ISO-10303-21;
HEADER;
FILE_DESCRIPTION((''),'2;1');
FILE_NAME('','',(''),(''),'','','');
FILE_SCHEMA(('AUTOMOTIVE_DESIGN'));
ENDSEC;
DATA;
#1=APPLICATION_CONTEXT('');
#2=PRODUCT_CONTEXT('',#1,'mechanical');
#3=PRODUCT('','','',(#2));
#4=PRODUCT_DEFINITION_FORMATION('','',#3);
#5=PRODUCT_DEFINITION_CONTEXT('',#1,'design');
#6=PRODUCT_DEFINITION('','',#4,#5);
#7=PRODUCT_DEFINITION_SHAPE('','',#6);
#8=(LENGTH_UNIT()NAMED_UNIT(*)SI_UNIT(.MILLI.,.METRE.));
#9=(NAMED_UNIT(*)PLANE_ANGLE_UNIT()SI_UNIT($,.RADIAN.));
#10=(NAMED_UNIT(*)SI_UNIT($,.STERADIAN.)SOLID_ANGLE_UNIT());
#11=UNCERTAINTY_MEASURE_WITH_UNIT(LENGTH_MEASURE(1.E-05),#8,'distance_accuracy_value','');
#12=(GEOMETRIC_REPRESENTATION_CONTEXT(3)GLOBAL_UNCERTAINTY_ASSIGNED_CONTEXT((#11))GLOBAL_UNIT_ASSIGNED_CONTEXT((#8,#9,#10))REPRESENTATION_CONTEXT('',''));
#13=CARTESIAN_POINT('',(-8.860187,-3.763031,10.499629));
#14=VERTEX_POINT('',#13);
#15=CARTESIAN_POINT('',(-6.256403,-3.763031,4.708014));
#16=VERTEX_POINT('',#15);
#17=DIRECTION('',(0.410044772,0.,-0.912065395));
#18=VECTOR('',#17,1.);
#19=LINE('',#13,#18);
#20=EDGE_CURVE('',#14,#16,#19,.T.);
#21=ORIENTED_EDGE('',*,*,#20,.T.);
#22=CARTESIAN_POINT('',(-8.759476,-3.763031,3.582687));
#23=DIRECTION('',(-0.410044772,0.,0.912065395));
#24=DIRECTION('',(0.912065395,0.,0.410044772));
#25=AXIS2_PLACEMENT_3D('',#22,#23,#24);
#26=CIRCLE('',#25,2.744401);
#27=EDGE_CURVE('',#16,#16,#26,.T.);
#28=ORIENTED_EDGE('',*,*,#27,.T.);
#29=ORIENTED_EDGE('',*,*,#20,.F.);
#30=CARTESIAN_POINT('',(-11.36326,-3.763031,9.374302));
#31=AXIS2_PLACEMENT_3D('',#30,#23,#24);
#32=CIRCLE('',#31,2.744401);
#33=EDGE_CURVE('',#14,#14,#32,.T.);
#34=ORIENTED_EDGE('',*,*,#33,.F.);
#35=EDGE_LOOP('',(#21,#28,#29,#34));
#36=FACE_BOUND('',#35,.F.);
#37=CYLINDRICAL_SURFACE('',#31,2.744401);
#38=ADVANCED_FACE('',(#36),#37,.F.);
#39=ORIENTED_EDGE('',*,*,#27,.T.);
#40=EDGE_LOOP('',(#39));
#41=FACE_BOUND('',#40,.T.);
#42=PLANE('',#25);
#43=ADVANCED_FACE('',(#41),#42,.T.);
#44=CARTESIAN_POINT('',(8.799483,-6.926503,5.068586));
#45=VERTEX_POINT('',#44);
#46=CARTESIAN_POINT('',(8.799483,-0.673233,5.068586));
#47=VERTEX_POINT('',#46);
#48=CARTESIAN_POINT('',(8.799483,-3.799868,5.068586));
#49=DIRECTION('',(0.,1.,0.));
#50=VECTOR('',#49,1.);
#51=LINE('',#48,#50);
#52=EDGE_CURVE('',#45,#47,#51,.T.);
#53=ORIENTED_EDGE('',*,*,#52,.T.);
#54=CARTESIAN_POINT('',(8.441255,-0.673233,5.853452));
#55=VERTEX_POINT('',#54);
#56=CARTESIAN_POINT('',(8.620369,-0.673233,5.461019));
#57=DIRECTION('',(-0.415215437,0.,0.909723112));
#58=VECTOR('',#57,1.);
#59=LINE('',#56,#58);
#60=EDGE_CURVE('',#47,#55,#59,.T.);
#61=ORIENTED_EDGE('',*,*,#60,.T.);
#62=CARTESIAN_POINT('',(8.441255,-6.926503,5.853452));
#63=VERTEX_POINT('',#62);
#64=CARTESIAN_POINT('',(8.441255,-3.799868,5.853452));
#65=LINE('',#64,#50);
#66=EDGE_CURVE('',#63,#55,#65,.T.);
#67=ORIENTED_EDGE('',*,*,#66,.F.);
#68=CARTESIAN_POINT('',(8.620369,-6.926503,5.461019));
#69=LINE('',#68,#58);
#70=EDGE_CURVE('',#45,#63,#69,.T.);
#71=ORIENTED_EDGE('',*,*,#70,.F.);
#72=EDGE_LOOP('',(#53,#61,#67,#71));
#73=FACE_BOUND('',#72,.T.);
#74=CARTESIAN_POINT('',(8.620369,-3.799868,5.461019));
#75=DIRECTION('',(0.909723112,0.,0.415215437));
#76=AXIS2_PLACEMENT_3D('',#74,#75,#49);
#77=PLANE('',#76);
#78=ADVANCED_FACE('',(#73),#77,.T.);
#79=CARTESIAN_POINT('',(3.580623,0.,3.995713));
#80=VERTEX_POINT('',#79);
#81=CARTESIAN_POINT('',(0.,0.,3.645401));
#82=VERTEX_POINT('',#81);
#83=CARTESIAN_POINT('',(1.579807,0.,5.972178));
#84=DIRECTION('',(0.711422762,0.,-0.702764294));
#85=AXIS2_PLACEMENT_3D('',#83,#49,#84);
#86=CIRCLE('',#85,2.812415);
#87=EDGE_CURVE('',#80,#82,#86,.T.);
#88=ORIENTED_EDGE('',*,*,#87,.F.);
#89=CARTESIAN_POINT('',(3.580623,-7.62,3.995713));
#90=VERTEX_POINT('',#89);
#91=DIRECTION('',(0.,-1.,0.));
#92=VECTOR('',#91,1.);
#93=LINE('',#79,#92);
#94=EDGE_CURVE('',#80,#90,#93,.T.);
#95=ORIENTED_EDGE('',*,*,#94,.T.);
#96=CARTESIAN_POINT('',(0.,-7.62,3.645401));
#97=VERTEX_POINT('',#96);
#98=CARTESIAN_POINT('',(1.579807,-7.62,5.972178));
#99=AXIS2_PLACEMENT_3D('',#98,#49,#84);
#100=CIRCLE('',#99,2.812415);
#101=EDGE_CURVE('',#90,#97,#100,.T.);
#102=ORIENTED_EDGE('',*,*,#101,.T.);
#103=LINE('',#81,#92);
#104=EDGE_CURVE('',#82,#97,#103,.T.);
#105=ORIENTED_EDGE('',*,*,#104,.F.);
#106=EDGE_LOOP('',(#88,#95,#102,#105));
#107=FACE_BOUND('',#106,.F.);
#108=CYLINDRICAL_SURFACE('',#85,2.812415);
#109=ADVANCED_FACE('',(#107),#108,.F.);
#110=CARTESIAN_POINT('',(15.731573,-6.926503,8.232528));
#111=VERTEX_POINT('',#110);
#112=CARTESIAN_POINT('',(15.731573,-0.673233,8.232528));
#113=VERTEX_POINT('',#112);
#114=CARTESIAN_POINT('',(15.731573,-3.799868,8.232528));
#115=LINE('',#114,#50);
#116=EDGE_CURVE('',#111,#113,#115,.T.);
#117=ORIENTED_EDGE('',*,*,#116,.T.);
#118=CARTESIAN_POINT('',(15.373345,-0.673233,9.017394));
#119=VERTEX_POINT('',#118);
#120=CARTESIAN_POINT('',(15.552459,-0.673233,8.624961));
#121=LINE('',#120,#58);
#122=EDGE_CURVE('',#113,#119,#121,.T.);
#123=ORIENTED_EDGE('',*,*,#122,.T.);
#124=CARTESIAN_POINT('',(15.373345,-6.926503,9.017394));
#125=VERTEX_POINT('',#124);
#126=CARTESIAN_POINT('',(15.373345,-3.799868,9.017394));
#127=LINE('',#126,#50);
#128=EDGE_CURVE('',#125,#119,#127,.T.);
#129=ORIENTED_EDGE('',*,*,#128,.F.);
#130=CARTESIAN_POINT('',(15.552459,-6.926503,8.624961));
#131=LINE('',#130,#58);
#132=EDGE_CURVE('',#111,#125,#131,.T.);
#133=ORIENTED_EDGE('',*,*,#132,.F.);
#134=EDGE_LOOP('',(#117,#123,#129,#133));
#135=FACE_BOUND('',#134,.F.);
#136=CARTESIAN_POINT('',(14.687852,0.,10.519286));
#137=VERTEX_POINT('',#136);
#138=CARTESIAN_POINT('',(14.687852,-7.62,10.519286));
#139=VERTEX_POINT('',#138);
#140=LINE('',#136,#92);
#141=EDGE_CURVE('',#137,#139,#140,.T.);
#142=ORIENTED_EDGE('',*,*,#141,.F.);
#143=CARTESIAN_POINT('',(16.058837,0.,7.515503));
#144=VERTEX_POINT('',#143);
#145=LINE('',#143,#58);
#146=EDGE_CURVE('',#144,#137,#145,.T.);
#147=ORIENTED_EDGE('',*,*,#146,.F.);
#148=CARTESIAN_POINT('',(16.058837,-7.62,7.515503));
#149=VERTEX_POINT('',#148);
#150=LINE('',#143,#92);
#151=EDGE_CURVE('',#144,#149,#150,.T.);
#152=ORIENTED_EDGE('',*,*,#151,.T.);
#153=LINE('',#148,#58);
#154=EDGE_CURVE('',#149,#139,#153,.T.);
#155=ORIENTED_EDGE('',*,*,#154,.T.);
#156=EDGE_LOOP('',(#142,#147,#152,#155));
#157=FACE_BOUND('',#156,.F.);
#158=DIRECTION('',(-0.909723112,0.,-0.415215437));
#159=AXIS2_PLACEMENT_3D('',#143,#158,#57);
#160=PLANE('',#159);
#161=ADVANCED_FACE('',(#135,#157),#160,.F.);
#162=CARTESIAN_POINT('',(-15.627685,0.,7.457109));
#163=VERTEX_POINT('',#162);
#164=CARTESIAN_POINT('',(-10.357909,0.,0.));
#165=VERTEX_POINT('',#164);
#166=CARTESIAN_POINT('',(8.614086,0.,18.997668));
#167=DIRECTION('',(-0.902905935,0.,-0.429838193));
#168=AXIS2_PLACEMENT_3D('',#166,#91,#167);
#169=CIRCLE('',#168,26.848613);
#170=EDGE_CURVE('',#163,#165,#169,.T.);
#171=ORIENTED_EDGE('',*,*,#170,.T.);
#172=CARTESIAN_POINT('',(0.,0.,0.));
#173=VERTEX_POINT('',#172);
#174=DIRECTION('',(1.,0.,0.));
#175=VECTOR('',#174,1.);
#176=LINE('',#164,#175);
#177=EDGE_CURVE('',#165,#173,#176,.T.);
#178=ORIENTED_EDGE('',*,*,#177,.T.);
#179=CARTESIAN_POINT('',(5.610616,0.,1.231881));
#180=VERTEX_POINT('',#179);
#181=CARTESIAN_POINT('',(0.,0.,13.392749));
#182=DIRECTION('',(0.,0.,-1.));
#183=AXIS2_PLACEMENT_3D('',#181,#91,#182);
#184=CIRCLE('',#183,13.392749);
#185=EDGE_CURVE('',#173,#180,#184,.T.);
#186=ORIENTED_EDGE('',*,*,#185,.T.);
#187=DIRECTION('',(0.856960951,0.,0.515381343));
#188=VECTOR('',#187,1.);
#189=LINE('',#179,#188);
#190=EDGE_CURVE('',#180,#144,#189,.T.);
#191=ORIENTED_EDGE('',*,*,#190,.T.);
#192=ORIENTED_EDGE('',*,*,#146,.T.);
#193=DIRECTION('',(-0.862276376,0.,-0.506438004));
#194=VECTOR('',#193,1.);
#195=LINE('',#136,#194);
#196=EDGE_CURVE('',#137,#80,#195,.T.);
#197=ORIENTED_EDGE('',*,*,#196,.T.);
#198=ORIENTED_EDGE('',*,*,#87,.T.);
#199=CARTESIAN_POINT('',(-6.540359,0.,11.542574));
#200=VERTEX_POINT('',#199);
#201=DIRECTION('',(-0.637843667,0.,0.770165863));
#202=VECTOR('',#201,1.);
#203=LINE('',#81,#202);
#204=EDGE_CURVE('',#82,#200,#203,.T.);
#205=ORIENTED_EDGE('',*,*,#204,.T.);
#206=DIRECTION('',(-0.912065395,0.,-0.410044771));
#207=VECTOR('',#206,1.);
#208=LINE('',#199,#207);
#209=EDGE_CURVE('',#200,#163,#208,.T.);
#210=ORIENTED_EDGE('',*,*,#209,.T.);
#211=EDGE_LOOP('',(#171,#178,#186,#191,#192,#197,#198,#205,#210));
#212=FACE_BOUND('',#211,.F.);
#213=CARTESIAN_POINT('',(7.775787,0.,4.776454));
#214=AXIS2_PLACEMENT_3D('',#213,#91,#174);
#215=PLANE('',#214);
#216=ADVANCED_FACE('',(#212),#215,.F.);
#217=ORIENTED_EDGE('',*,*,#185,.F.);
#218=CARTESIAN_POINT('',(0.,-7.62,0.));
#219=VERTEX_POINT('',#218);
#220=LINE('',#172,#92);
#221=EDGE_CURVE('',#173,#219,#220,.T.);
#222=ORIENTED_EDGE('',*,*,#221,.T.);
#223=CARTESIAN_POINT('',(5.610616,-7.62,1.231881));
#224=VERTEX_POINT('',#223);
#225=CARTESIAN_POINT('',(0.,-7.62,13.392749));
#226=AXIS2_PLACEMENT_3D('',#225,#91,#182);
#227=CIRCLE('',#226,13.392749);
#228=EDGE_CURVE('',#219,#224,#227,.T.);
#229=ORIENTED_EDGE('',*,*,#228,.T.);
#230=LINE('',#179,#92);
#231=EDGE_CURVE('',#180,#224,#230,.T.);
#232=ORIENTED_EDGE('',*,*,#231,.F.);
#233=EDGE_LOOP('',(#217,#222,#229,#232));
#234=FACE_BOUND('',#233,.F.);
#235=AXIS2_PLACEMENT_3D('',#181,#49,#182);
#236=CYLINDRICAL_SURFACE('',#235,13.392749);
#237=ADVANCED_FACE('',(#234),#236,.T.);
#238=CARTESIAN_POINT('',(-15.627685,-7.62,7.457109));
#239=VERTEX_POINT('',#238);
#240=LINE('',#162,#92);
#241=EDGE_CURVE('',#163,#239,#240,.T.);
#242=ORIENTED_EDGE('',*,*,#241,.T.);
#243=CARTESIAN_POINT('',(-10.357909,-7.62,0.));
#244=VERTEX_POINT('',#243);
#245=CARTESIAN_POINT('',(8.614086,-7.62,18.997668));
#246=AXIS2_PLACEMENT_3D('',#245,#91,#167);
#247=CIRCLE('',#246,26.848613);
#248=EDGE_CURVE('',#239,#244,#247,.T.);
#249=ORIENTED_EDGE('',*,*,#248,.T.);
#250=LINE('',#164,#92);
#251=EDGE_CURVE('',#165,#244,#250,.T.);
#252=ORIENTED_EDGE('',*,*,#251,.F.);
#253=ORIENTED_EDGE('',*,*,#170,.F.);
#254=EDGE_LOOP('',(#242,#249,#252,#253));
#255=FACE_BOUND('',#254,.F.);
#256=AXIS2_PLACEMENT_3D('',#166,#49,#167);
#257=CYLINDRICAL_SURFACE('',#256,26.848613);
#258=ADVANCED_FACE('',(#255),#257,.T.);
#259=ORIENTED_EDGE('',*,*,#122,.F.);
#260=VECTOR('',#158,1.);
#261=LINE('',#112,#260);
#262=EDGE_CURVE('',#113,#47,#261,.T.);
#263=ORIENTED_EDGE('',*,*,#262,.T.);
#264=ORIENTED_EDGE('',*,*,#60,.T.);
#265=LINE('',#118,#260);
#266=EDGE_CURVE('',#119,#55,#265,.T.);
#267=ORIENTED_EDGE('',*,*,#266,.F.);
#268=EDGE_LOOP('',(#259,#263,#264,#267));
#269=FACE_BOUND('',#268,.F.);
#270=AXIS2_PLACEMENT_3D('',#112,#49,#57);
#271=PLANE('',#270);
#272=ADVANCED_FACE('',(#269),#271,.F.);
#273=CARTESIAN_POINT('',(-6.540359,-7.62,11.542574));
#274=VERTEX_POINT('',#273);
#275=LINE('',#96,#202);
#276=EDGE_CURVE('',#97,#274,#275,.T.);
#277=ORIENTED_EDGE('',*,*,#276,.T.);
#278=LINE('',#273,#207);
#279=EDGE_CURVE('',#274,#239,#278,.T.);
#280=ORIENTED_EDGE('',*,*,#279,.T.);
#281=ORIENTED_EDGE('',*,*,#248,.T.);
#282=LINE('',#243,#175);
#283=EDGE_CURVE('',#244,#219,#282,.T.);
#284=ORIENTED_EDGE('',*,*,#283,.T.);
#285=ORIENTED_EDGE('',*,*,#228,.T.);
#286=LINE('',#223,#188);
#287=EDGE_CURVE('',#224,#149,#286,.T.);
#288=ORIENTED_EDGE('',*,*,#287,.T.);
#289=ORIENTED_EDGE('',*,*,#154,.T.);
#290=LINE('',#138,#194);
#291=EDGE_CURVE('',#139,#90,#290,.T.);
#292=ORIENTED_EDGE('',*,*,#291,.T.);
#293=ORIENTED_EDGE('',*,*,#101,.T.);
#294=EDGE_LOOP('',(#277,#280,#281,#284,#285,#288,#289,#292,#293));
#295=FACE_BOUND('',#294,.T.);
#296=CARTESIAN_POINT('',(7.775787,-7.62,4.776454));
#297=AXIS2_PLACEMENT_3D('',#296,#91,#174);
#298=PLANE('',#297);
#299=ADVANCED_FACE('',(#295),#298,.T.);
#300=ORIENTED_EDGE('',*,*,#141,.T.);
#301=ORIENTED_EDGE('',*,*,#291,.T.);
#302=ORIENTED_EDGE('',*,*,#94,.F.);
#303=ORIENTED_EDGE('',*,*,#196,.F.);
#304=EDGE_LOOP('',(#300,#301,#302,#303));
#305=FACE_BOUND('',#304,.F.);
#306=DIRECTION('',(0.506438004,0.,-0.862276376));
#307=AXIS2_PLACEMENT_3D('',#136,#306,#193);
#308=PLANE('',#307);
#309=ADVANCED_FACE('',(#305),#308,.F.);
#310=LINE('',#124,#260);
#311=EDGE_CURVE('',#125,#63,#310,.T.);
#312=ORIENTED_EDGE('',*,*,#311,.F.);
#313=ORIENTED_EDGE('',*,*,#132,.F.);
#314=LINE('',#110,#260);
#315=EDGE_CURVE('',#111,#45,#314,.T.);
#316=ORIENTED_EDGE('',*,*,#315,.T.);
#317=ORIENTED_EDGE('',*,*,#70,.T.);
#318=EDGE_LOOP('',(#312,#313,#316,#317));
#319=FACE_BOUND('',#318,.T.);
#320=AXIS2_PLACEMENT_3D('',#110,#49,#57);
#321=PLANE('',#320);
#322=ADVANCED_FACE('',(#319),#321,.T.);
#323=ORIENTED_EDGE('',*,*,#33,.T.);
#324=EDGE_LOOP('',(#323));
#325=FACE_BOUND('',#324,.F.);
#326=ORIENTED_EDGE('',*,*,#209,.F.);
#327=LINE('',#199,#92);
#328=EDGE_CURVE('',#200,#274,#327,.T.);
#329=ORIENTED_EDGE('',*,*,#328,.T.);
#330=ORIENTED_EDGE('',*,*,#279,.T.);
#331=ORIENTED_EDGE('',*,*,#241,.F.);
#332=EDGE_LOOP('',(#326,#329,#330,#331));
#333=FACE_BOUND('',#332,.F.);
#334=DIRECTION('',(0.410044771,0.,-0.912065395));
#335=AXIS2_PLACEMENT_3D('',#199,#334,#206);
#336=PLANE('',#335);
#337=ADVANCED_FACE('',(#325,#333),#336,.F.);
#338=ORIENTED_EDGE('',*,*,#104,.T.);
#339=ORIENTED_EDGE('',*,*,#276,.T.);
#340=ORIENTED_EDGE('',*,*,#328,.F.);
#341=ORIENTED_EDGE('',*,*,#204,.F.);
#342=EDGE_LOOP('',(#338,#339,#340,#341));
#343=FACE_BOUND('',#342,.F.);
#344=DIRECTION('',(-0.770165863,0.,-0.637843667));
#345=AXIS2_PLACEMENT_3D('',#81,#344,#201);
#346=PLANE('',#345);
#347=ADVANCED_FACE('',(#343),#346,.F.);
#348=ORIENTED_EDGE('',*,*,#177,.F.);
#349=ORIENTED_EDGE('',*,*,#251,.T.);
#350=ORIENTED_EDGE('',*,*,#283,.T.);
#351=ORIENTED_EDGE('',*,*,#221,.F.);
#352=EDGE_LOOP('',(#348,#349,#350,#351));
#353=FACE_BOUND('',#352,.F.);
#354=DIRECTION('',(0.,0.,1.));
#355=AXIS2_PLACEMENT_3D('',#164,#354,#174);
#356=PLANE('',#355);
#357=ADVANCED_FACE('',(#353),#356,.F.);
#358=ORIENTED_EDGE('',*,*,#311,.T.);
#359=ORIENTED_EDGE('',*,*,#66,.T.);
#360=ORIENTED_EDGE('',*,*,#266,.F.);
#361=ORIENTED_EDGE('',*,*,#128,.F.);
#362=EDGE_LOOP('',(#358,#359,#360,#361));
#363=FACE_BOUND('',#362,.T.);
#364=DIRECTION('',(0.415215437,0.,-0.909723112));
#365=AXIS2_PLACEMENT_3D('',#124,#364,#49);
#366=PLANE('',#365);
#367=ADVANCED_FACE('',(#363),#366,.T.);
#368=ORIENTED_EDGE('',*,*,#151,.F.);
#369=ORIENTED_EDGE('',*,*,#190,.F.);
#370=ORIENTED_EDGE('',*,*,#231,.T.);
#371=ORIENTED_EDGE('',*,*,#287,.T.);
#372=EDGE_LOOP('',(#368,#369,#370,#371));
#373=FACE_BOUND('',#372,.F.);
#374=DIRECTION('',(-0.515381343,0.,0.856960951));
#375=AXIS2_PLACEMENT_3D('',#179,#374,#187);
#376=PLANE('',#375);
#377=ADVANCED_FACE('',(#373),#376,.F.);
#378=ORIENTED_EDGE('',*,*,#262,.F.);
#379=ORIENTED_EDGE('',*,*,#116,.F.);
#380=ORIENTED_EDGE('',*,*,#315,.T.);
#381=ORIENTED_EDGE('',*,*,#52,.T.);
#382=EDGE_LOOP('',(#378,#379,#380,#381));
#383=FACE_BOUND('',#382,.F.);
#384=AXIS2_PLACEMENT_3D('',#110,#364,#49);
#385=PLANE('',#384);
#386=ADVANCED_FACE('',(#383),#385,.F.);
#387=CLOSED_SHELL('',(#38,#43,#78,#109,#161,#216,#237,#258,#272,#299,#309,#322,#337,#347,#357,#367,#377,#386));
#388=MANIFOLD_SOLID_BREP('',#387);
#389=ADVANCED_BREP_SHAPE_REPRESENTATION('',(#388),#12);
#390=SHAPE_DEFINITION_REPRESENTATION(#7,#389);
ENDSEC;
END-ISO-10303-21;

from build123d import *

# Parameters (mm, degrees)
F1_DEPTH = 7.62
F2_DEPTH = 7.62
F3_R     = 2.7444013429
F4_DEPTH = 6.35
F5_W     = 6.2532699667
F5_H     = 0.86275296
F6_DEPTH = 7.62


with BuildPart() as f1:
    # F0 (on Front) → F1 (new body)
    with BuildSketch(Plane.XZ):
        with BuildLine():
            Line((-10.3579089046, 0), (0, 0))
            Line((0, 0), (0, 3.645401448))
            Line((0, 3.645401448), (-6.5403589979, 11.5425735712))
            Line((-6.5403589979, 11.5425735712), (-15.6276854686, 7.4571091682))
            ThreePointArc((-15.6276854686, 7.4571091682), (-13.3121430449, 3.5028798243), (-10.3579089046, 0))
        make_face()
    extrude(amount=F1_DEPTH)

    # F0 (on Front) → F2 (join)
    with BuildSketch(Plane.XZ):
        with BuildLine():
            Line((0, 3.645401448), (0, 0))
            ThreePointArc((0, 0), (2.8721308182, 0.311594991), (5.6106159464, 1.2318808585))
            Line((5.6106159464, 1.2318808585), (16.058837386, 7.5155025299))
            Line((16.058837386, 7.5155025299), (14.6878519678, 10.5192856507))
            Line((14.6878519678, 10.5192856507), (3.5806233063, 3.9957128465))
            ThreePointArc((3.5806233063, 3.9957128465), (1.853653217, 3.1731266591), (0, 3.645401448))
        make_face()
    extrude(amount=F2_DEPTH)

    # F3 (on face) → F4 (cut)
    with BuildSketch(Plane(origin=(-5.4164543998, 0, 12.0478566424), x_dir=(0.9120653953, 0, 0.4100447715), z_dir=(-0.4100447715, 0, 0.9120653953))):
        with Locations((-6.5201530233, -3.7630312145)):
            Circle(F3_R)
    extrude(amount=-F4_DEPTH, mode=Mode.SUBTRACT)

    # F5 (on face) → F6 (cut)
    with BuildSketch(Plane(origin=(16.1290707313, 0, 7.3616236234), x_dir=(0, 1, 0), z_dir=(0.9097231122, 0, 0.4152154371))):
        with Locations((-3.7998675834, 1.3887053062)):
            Rectangle(F5_W, F5_H)
    extrude(amount=-F6_DEPTH, mode=Mode.SUBTRACT)


solid = f1.part
